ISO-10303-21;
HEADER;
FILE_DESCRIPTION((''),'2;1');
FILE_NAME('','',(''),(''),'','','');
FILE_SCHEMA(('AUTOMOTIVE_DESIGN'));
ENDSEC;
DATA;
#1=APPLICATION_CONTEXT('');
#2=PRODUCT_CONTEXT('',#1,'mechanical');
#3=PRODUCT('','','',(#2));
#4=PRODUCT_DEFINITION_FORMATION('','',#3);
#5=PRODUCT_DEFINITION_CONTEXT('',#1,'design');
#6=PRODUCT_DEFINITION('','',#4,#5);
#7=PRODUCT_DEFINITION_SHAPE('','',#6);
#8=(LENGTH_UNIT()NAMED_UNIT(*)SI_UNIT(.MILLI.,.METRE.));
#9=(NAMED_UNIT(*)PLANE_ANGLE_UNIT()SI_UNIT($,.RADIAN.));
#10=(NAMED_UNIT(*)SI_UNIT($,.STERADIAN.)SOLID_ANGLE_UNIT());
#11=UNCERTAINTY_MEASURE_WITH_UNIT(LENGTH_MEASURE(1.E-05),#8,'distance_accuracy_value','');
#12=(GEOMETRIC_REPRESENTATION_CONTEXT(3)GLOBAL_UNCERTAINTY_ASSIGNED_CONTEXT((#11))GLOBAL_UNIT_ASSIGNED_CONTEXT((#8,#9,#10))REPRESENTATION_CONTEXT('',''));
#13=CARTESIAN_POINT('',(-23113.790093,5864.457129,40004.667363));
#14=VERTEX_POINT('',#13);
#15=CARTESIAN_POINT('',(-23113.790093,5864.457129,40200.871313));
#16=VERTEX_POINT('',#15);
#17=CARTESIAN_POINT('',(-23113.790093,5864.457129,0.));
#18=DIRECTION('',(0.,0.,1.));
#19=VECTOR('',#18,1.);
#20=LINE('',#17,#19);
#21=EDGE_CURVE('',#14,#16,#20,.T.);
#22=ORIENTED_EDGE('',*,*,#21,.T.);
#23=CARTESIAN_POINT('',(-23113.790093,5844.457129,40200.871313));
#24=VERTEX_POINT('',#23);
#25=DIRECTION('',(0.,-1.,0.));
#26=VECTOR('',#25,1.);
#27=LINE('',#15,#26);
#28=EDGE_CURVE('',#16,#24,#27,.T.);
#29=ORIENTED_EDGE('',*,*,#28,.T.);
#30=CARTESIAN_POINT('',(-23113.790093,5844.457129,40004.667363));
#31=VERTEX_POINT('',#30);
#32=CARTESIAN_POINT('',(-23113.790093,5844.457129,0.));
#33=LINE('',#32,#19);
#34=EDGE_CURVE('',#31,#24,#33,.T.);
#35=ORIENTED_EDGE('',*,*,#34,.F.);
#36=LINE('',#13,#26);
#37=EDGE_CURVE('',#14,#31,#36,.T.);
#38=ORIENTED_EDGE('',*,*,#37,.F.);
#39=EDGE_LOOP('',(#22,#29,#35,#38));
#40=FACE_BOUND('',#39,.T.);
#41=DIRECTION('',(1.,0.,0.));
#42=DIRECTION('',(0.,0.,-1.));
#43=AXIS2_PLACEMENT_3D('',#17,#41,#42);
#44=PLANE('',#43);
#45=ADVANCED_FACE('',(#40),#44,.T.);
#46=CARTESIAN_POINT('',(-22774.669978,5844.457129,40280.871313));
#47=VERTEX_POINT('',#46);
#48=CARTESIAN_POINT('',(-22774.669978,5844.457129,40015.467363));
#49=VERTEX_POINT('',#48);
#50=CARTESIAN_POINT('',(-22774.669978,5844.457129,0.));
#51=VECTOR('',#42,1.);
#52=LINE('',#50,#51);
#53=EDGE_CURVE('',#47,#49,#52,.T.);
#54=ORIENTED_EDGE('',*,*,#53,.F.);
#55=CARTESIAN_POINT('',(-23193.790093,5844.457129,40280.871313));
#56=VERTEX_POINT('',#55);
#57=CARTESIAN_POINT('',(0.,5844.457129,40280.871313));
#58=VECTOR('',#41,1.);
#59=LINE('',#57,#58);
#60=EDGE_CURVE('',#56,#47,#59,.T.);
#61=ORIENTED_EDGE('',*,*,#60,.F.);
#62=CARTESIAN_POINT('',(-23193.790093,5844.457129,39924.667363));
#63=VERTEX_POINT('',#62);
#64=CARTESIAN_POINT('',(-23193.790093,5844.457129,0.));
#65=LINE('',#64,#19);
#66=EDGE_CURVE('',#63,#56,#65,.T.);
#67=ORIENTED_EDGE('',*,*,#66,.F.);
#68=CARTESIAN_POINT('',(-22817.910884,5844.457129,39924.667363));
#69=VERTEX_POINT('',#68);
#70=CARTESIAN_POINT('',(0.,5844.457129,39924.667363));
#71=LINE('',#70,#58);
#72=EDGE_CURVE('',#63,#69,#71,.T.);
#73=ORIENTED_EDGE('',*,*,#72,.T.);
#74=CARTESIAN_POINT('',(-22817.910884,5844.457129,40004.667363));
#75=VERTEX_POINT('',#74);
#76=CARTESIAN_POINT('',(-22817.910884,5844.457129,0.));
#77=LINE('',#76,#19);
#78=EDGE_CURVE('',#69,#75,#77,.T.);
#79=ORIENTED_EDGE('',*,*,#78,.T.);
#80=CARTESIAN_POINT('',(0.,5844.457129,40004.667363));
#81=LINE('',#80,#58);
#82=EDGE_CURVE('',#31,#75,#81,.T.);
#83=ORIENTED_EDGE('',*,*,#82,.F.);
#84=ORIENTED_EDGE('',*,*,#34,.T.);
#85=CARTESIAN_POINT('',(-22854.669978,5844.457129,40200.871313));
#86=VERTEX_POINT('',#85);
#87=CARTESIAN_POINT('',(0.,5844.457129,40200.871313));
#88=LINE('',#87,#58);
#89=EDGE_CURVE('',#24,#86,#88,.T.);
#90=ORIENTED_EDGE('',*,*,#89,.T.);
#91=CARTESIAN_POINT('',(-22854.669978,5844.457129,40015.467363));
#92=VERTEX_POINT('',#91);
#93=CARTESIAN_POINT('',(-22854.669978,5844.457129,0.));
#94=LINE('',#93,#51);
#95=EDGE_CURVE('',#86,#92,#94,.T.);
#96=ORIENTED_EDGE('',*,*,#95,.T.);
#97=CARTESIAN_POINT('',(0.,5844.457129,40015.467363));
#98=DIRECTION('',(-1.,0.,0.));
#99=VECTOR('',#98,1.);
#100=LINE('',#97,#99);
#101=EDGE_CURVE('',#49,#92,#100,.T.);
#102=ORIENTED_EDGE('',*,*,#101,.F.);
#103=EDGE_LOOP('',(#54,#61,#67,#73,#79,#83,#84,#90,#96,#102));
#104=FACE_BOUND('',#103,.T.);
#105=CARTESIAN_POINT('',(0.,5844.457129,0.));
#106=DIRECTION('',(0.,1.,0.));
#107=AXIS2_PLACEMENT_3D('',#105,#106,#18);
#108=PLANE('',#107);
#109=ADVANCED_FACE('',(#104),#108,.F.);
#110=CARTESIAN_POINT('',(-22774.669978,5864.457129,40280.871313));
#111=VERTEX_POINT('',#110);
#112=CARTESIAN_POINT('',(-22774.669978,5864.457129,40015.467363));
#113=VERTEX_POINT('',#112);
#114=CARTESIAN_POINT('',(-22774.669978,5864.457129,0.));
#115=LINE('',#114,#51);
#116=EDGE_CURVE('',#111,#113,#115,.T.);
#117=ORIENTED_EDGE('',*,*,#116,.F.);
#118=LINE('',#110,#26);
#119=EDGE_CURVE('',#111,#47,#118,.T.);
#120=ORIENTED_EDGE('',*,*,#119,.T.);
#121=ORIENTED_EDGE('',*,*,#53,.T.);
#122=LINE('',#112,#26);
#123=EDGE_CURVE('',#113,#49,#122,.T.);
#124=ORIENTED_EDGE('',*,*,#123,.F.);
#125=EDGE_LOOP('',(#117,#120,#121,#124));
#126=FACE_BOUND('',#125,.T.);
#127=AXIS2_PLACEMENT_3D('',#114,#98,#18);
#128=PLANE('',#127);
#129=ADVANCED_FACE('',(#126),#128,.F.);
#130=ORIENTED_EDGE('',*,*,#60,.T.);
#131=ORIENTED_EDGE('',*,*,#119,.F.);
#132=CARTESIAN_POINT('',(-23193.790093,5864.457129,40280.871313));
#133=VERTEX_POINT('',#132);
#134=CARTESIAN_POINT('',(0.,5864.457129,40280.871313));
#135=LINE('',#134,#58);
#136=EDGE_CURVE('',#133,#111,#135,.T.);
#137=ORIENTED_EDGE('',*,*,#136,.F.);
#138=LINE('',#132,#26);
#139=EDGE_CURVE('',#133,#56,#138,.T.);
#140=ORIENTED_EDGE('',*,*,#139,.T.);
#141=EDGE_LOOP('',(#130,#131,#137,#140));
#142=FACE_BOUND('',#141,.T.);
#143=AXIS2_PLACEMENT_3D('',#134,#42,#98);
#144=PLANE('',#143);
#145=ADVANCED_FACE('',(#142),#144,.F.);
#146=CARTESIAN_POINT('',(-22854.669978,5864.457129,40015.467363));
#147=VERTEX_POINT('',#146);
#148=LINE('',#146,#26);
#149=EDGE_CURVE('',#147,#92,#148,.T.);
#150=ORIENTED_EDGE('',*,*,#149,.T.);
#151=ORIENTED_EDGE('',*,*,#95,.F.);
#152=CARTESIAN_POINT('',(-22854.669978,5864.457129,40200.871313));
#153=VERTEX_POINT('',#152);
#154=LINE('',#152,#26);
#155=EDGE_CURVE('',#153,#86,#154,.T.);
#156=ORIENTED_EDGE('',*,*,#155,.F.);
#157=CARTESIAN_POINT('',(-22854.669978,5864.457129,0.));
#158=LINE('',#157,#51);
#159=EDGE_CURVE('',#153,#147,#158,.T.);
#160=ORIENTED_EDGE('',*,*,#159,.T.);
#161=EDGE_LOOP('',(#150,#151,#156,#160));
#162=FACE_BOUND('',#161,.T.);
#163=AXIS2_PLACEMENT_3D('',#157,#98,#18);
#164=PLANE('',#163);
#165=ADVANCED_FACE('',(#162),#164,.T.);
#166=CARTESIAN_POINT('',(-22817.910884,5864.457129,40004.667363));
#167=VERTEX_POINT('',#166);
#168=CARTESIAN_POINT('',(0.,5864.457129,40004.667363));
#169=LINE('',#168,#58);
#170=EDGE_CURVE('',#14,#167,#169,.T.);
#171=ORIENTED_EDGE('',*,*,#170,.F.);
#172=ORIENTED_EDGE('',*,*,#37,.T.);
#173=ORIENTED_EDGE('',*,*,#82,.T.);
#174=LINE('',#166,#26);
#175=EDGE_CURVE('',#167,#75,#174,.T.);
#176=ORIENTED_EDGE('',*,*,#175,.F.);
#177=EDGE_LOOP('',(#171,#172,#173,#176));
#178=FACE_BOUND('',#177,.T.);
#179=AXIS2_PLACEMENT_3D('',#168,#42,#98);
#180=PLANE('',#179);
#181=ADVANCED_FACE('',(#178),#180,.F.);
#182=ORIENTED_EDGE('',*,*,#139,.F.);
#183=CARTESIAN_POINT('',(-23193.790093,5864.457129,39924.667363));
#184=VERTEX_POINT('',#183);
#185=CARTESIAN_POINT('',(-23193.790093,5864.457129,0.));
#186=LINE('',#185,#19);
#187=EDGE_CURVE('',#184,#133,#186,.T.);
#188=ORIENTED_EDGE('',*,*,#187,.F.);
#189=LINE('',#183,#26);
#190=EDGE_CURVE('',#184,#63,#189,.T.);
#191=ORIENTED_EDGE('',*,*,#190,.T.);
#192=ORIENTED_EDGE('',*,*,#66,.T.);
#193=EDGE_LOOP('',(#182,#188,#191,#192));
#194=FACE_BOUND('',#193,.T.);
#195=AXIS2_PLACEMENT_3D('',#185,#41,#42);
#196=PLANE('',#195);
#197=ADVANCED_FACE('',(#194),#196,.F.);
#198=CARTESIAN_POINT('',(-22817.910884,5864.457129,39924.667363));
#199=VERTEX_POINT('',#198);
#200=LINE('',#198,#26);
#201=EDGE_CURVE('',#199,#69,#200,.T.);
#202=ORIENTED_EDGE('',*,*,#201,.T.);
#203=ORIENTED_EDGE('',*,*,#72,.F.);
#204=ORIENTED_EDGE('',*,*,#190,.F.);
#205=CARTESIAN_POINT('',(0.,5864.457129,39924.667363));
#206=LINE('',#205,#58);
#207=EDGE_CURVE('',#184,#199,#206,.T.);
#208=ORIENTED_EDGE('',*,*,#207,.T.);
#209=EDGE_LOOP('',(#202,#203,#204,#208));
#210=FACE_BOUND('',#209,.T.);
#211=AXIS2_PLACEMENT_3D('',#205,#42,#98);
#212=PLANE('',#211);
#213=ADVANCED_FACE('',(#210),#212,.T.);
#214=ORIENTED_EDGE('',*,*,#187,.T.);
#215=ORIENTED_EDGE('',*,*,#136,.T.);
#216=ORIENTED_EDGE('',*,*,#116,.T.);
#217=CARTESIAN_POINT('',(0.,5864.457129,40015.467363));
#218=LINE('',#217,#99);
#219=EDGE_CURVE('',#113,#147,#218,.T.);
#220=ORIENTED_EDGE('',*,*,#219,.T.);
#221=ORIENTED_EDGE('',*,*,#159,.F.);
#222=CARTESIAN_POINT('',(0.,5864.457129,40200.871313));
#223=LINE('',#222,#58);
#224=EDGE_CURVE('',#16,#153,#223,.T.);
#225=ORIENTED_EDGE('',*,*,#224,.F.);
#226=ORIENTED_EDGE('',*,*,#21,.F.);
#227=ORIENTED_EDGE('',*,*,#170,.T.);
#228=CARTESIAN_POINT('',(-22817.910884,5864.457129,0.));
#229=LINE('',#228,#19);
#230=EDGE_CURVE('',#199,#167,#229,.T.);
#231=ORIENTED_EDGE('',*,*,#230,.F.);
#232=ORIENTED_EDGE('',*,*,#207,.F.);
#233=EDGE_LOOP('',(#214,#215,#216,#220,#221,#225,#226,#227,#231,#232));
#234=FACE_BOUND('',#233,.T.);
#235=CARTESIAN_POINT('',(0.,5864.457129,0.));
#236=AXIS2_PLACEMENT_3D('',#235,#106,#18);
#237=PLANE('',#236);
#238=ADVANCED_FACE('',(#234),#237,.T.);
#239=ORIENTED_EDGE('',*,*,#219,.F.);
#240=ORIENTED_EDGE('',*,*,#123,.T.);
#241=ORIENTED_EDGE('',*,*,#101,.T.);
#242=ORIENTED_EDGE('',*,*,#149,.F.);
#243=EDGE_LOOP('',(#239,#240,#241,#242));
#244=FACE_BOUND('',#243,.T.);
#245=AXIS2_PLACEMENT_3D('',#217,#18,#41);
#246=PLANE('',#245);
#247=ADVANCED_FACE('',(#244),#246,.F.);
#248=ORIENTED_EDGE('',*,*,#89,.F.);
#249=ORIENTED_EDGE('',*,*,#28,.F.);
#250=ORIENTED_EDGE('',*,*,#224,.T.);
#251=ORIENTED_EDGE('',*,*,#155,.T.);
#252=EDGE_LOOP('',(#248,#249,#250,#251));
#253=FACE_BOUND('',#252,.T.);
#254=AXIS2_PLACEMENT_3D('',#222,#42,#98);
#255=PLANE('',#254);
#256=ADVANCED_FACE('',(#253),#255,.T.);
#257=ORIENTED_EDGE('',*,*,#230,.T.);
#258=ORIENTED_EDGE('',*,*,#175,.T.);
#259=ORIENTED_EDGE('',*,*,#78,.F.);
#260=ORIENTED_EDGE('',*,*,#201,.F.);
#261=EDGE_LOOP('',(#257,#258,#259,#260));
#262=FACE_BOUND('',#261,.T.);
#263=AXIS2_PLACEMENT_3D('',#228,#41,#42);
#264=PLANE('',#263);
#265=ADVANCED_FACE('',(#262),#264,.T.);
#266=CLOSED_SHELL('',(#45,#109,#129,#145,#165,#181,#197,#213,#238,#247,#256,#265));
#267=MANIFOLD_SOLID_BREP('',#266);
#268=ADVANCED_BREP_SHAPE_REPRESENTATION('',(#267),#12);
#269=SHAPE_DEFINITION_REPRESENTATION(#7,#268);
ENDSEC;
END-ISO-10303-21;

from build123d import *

# Parameters (mm, degrees)
BOSS_EXTRUDE1_START = 550
SKETCH1_W           = 80
SKETCH1_H           = 276.203950277
SKETCH1_W_2         = 295.879209743
SKETCH1_H_2         = 80
SKETCH1_H_3         = 12.7
BOSS_EXTRUDE1_DEPTH = 20


with BuildPart() as part:
    # Sketch1 → Boss-Extrude1 (new body)
    with BuildSketch(Plane(origin=(0, 5294.457128547, 0), x_dir=(1, 0, 0), z_dir=(0, 1, 0)).offset(BOSS_EXTRUDE1_START)):
        with Locations((-23153.790093454, -40062.769337853)):
            Rectangle(SKETCH1_W, SKETCH1_H)
        Polygon((-23113.790093454, -40200.871312991), (-23193.790093454, -40200.871312991), (-23193.790093454, -40280.871312991), (-22854.669978064, -40280.871312991), (-22854.669978064, -40200.871312991), align=None)
        Polygon((-22854.669978064, -40028.167362714), (-22854.669978064, -40200.871312991), (-22854.669978064, -40280.871312991), (-22774.669978064, -40280.871312991), (-22774.669978064, -40028.167362714), align=None)
        with Locations((-22965.850488583, -39964.667362714)):
            Rectangle(SKETCH1_W_2, SKETCH1_H_2)
        with Locations((-22814.669978064, -40021.817362714)):
            Rectangle(SKETCH1_W, SKETCH1_H_3)
    extrude(amount=BOSS_EXTRUDE1_DEPTH)


solid = part.part
